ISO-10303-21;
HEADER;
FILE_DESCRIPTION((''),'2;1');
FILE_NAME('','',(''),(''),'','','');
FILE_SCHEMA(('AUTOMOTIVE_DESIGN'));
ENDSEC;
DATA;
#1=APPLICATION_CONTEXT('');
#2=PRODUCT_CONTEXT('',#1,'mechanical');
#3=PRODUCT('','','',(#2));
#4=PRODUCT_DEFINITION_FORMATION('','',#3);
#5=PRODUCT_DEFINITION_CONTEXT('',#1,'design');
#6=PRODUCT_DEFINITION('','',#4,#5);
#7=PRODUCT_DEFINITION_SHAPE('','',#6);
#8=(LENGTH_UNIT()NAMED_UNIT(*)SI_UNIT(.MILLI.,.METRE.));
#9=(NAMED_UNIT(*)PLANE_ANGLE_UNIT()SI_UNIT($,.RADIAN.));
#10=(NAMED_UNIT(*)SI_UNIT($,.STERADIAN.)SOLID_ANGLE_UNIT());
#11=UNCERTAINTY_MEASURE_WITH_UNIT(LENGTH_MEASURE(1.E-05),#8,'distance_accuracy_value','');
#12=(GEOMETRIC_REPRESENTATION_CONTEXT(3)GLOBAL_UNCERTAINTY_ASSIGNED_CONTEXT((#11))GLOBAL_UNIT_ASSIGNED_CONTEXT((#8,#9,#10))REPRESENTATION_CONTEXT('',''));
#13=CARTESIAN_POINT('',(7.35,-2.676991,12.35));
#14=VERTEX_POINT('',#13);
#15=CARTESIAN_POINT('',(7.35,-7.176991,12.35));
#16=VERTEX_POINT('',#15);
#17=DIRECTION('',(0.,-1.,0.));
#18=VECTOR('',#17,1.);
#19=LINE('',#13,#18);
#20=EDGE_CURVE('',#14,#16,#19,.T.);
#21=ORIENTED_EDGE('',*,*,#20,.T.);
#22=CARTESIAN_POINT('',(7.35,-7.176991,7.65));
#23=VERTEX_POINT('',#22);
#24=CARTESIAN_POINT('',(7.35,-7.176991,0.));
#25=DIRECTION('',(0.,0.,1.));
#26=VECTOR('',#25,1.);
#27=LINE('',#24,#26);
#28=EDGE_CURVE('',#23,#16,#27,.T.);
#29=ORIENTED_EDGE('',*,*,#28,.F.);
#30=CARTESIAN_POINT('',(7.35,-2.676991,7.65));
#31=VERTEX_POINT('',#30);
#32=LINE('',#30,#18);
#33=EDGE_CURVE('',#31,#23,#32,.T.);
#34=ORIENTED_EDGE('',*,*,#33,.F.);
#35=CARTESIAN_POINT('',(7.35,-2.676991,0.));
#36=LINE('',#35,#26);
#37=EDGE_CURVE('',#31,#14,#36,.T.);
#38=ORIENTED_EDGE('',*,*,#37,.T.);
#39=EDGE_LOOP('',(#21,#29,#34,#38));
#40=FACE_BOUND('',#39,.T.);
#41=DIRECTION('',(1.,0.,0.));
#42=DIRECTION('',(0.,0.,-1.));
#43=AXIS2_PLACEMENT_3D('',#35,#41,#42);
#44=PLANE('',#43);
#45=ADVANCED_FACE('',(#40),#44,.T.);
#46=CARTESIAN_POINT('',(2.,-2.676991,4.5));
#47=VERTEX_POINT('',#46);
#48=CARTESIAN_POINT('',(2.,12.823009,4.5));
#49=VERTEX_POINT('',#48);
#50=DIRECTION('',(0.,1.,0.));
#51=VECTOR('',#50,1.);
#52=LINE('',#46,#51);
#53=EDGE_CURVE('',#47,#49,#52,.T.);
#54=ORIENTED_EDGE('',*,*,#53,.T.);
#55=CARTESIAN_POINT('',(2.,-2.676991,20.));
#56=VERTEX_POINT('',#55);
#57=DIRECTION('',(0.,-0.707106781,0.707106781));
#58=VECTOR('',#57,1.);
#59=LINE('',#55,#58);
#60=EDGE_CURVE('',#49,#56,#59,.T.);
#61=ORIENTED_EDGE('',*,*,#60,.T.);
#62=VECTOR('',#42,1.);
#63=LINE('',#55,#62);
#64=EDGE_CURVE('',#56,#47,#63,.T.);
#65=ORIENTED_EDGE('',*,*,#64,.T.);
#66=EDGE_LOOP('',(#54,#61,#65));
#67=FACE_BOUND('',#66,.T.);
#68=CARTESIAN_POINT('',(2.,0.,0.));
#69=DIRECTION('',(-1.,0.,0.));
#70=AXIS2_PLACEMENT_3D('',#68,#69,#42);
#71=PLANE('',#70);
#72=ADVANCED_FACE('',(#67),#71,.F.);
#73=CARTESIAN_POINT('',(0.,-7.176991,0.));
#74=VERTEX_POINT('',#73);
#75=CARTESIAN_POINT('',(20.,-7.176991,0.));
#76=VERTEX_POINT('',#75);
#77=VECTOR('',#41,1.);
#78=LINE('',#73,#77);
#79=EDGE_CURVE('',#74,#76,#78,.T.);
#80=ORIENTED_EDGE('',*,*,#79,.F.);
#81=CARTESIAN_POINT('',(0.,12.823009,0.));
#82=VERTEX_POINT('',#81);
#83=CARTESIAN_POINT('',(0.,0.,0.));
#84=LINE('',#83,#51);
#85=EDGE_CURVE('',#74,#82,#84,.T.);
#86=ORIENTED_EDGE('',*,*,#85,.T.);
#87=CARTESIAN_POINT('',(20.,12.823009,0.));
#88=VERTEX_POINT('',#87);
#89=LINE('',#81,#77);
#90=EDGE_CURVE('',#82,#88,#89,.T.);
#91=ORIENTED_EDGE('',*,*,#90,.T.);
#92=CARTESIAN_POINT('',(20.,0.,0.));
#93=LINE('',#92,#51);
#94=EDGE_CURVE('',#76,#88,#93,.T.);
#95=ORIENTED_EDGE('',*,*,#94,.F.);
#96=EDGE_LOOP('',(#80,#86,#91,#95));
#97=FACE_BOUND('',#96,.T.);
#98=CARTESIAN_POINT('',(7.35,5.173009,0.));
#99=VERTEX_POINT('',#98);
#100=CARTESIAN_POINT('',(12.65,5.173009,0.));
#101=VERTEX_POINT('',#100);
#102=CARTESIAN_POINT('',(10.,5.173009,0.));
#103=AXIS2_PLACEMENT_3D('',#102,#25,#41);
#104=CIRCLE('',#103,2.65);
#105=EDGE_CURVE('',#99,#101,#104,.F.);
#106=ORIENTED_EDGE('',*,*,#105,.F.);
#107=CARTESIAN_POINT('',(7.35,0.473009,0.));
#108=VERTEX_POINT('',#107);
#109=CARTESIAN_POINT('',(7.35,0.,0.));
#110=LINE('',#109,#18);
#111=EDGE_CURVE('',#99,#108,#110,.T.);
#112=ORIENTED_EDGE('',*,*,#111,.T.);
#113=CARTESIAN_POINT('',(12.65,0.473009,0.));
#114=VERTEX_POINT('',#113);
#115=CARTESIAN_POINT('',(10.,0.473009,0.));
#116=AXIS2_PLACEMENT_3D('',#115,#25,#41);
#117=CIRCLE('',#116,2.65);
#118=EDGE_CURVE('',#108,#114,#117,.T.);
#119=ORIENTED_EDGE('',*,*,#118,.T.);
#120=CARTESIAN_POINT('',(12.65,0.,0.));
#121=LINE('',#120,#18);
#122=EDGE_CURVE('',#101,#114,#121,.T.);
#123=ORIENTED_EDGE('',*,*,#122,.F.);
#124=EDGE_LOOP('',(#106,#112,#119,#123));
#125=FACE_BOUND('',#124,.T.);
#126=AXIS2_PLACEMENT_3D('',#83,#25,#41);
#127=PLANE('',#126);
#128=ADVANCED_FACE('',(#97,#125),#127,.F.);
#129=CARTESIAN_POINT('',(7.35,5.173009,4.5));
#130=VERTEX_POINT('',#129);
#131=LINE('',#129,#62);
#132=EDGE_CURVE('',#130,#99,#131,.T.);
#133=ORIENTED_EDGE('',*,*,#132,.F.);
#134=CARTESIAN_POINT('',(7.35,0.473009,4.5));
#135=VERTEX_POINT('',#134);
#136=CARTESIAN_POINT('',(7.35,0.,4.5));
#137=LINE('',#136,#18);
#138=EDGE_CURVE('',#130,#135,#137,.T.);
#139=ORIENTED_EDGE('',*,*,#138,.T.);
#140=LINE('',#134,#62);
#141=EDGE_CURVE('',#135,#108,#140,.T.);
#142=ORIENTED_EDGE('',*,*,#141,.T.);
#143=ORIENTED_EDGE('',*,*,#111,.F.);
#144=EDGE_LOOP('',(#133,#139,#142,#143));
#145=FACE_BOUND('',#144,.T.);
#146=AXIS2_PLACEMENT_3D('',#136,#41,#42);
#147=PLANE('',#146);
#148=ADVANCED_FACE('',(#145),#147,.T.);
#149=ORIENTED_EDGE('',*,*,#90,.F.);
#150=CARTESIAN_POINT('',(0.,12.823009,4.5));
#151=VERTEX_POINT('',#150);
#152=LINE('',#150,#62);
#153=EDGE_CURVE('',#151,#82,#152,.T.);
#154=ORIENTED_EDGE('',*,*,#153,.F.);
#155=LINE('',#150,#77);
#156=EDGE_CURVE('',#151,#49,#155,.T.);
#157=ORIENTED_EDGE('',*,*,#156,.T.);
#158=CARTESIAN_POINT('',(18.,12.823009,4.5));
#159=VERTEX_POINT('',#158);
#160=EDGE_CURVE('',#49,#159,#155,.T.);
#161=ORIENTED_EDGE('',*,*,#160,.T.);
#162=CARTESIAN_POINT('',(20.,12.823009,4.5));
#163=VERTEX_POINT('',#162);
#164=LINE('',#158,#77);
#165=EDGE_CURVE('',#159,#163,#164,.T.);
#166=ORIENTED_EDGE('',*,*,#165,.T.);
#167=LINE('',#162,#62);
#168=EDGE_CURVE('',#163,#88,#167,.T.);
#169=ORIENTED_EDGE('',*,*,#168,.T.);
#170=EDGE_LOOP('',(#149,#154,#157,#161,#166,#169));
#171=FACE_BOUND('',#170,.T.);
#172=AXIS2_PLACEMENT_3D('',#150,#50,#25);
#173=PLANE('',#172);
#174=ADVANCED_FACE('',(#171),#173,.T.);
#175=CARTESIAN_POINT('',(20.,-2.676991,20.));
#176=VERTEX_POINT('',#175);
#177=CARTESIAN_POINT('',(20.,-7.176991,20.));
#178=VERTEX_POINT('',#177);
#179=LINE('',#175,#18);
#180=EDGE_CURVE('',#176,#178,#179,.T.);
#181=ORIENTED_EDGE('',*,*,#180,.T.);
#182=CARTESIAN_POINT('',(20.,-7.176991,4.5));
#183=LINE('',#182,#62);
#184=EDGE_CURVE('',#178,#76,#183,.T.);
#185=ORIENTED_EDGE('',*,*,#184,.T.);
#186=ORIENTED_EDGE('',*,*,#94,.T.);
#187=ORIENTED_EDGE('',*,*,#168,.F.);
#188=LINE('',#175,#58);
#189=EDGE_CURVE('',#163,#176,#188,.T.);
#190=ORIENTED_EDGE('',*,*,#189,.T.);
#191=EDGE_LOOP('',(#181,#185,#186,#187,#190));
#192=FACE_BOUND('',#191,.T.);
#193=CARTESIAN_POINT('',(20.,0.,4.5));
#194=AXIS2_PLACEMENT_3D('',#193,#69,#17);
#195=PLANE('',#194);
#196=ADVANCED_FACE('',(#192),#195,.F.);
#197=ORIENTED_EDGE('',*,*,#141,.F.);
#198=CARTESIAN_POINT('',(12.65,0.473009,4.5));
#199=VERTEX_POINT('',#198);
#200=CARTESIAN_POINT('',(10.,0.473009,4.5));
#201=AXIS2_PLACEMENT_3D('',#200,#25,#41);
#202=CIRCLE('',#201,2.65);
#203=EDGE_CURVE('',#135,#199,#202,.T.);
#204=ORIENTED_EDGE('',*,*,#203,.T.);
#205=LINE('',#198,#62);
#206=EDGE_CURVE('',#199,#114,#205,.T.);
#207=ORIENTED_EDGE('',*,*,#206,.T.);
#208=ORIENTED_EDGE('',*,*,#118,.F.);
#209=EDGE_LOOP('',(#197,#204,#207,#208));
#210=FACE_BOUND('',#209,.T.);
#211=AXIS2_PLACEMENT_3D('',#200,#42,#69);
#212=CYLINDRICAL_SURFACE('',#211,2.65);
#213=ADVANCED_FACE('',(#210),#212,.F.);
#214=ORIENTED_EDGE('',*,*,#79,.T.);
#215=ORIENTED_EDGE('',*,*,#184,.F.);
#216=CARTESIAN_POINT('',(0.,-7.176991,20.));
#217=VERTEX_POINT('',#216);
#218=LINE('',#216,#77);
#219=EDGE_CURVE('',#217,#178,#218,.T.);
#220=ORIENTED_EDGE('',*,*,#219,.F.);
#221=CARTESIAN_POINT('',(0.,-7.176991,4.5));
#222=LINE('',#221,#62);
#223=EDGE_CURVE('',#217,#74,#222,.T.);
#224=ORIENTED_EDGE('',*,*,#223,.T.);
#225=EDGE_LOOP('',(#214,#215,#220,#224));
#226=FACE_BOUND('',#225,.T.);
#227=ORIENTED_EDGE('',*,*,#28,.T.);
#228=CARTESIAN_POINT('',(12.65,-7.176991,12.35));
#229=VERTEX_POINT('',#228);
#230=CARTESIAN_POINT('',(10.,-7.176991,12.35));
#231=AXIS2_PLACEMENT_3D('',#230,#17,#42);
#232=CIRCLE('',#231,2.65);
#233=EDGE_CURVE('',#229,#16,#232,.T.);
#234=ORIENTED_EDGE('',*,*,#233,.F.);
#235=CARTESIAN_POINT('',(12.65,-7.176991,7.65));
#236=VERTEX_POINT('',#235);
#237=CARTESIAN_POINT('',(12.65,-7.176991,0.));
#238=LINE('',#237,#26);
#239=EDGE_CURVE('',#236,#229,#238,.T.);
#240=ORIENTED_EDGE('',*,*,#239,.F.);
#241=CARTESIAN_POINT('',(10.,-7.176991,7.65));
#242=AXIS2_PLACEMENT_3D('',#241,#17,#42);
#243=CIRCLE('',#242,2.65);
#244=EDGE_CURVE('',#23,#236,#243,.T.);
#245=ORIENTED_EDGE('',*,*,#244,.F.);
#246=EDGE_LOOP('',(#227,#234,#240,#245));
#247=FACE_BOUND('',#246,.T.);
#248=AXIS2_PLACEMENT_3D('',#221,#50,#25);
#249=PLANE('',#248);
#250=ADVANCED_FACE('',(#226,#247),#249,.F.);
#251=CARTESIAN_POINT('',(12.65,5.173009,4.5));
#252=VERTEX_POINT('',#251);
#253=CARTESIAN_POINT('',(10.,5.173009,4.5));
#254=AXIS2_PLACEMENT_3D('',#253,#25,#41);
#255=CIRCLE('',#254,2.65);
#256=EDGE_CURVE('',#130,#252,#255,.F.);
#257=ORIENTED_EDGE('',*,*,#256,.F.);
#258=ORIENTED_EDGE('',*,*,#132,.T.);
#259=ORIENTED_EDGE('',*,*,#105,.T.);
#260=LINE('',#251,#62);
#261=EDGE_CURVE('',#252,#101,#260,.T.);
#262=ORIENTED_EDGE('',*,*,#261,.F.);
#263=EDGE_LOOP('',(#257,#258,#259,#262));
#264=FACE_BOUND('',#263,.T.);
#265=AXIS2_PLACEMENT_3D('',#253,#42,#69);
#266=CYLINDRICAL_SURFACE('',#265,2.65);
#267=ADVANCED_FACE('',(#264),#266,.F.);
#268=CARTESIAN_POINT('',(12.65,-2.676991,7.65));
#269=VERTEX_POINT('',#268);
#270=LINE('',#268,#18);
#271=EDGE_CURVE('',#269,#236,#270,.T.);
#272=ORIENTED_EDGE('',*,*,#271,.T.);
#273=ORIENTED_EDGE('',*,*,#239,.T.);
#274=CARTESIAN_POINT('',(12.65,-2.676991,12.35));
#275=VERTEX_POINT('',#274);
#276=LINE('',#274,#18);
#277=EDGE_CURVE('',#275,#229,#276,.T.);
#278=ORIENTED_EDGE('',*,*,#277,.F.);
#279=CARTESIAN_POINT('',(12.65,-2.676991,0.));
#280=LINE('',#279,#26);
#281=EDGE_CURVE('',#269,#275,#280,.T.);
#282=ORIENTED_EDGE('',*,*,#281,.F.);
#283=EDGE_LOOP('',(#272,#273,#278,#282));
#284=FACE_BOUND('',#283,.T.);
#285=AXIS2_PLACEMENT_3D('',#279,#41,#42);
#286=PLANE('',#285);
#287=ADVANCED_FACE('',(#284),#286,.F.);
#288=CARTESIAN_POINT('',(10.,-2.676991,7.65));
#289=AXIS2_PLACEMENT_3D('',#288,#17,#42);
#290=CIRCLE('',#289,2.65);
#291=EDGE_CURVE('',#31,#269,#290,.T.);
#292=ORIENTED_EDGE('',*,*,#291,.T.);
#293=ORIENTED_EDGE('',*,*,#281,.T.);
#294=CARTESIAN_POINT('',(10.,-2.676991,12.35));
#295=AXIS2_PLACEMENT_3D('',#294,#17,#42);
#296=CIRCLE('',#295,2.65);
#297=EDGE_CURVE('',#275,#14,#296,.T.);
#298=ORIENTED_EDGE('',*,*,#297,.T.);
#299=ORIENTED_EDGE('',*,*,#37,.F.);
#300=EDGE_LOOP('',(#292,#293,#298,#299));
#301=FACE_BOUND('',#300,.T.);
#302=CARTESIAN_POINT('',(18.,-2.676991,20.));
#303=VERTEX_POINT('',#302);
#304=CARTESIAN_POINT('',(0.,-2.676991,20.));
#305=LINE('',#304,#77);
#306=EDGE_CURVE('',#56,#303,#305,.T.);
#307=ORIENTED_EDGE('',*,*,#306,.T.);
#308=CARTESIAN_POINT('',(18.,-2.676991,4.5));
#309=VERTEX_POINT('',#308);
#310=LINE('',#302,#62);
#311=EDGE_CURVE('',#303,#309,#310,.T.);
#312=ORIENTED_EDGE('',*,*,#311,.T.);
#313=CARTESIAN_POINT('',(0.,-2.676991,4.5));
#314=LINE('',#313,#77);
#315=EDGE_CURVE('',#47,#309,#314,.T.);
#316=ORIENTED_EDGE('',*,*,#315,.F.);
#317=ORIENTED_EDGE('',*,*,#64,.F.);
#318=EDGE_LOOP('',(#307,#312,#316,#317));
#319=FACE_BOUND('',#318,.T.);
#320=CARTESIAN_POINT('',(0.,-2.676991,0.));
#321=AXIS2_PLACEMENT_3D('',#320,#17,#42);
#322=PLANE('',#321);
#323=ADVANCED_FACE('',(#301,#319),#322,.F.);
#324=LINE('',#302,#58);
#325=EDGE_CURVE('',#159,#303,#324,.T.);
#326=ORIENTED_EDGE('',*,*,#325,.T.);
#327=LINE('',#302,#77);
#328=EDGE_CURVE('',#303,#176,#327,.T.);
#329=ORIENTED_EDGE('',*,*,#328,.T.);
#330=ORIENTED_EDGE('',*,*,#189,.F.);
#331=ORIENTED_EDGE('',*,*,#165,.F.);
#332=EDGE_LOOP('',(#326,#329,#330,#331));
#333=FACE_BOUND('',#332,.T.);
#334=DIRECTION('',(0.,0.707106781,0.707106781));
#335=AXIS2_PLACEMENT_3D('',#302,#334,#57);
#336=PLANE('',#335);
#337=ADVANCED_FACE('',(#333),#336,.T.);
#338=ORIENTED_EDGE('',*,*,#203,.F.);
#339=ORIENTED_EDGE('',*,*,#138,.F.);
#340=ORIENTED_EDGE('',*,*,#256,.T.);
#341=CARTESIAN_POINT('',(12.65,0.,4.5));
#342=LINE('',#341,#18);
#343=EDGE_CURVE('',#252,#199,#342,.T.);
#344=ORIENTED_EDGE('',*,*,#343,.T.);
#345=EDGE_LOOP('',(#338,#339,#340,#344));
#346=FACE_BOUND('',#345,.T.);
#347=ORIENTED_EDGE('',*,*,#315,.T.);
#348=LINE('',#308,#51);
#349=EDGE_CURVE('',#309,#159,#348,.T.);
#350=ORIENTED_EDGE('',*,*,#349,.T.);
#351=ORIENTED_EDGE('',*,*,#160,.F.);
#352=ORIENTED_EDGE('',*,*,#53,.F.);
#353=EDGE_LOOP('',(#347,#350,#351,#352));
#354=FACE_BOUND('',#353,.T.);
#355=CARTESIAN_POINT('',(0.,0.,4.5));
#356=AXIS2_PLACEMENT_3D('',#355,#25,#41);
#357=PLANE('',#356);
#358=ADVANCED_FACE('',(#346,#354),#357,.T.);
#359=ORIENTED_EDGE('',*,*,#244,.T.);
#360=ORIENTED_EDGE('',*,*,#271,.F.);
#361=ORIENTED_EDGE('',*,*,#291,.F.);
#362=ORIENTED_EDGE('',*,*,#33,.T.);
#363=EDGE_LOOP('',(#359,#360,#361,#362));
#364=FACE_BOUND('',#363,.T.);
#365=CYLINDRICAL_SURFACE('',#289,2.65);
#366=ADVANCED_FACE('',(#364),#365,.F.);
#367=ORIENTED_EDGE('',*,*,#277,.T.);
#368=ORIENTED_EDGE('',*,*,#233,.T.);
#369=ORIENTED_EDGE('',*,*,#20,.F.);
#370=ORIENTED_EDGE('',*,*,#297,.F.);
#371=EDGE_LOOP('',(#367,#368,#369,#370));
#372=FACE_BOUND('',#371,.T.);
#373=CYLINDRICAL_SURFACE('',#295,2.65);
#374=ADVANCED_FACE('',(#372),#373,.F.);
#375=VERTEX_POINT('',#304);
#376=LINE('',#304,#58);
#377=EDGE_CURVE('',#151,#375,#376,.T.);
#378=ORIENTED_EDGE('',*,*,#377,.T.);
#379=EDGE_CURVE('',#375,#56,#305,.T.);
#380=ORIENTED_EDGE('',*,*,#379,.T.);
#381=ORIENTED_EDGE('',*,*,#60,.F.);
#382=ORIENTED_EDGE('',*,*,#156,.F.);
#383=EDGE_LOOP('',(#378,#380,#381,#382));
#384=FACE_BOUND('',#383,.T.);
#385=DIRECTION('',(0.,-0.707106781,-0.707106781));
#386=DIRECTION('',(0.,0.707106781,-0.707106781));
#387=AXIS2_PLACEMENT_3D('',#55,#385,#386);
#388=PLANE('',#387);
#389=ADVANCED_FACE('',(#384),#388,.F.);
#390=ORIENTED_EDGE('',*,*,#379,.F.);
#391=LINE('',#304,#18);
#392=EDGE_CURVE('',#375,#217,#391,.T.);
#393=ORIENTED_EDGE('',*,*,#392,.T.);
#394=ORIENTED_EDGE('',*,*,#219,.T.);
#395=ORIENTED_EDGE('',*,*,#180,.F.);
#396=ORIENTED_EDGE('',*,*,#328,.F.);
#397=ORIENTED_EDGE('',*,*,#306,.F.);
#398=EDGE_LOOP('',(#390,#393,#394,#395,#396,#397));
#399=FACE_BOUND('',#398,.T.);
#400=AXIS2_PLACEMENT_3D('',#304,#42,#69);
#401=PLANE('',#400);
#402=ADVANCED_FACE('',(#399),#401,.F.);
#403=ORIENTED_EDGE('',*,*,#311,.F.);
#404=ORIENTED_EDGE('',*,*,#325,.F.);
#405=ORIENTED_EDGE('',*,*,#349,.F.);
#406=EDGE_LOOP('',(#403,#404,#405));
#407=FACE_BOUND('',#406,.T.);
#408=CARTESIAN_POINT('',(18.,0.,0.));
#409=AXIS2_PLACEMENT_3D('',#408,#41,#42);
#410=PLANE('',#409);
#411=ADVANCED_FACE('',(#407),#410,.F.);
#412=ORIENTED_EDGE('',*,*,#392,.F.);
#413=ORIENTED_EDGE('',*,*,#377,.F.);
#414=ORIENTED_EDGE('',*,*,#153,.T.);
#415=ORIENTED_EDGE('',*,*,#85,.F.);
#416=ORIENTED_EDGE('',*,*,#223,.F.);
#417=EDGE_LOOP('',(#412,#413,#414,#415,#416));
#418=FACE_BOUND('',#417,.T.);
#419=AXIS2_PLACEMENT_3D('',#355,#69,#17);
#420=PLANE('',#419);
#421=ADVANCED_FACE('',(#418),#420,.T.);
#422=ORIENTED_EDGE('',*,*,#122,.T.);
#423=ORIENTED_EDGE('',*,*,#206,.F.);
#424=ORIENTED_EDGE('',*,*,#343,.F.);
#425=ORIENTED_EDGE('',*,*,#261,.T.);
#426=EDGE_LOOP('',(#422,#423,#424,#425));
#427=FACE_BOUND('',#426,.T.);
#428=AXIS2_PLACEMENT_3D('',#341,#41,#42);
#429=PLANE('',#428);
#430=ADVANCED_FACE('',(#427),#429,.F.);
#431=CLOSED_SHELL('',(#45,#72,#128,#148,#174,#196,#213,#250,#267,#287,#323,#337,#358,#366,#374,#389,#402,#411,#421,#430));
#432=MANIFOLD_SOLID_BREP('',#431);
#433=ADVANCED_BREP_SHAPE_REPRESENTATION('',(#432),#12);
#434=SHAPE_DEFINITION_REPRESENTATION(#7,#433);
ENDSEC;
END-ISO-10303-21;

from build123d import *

# Parameters (mm, degrees)
SKETCH1_W           = 20
SKETCH1_H           = 20
BOSS_EXTRUDE1_DEPTH = 4.5
SKETCH2_W           = 20
SKETCH2_H           = 4.5
BOSS_EXTRUDE2_DEPTH = 4.5
BOSS_EXTRUDE3_DEPTH = 2


with BuildPart() as part:
    # Sketch1 → Boss-Extrude1 (new body)
    with BuildSketch(Plane.XY):
        with Locations((10, 2.82300885)):
            Rectangle(SKETCH1_W, SKETCH1_H)
        with BuildLine():
            Line((7.35, 5.17300885), (7.35, 0.47300885))
            ThreePointArc((7.35, 0.47300885), (10, -2.17699115), (12.65, 0.47300885))
            Line((12.65, 0.47300885), (12.65, 5.17300885))
            ThreePointArc((12.65, 5.17300885), (10, 7.82300885), (7.35, 5.17300885))
        make_face(mode=Mode.SUBTRACT)
    extrude(amount=BOSS_EXTRUDE1_DEPTH)

    # Sketch2 → Boss-Extrude2 (add)
    with BuildSketch(Plane.XZ.offset(7.17699115)):
        with Locations((10, 2.25)):
            Rectangle(SKETCH2_W, SKETCH2_H)
        with BuildLine():
            Line((0, 10), (0, 4.5))
            Line((0, 4.5), (20, 4.5))
            Line((20, 4.5), (20, 10))
            Line((20, 10), (12.65, 10))
            Line((12.65, 10), (12.65, 7.65))
            ThreePointArc((12.65, 7.65), (10, 5), (7.35, 7.65))
            Line((7.35, 7.65), (7.35, 10))
            Line((7.35, 10), (0, 10))
        make_face()
        with BuildLine():
            Line((0, 20), (0, 10))
            Line((0, 10), (7.35, 10))
            Line((7.35, 10), (7.35, 12.35))
            ThreePointArc((7.35, 12.35), (10, 15), (12.65, 12.35))
            Line((12.65, 12.35), (12.65, 10))
            Line((12.65, 10), (20, 10))
            Line((20, 10), (20, 20))
            Line((20, 20), (0, 20))
        make_face()
    extrude(amount=-BOSS_EXTRUDE2_DEPTH)

    # Sketch4 → Boss-Extrude3 (add)
    with BuildSketch(Plane(origin=(20, 0, 0), x_dir=(0, 0, -1), z_dir=(1, 0, 0))):
        Polygon((-20, -2.67699115), (-4.5, 12.82300885), (-4.5, -2.67699115), align=None)
    boss_extrude3 = extrude(amount=-BOSS_EXTRUDE3_DEPTH)

    # Mirror1: Boss-Extrude3 across plane
    add(boss_extrude3.mirror(Plane(origin=(10, 0, 0), x_dir=(0, 0, 1), z_dir=(1, 0, 0))))


solid = part.part
